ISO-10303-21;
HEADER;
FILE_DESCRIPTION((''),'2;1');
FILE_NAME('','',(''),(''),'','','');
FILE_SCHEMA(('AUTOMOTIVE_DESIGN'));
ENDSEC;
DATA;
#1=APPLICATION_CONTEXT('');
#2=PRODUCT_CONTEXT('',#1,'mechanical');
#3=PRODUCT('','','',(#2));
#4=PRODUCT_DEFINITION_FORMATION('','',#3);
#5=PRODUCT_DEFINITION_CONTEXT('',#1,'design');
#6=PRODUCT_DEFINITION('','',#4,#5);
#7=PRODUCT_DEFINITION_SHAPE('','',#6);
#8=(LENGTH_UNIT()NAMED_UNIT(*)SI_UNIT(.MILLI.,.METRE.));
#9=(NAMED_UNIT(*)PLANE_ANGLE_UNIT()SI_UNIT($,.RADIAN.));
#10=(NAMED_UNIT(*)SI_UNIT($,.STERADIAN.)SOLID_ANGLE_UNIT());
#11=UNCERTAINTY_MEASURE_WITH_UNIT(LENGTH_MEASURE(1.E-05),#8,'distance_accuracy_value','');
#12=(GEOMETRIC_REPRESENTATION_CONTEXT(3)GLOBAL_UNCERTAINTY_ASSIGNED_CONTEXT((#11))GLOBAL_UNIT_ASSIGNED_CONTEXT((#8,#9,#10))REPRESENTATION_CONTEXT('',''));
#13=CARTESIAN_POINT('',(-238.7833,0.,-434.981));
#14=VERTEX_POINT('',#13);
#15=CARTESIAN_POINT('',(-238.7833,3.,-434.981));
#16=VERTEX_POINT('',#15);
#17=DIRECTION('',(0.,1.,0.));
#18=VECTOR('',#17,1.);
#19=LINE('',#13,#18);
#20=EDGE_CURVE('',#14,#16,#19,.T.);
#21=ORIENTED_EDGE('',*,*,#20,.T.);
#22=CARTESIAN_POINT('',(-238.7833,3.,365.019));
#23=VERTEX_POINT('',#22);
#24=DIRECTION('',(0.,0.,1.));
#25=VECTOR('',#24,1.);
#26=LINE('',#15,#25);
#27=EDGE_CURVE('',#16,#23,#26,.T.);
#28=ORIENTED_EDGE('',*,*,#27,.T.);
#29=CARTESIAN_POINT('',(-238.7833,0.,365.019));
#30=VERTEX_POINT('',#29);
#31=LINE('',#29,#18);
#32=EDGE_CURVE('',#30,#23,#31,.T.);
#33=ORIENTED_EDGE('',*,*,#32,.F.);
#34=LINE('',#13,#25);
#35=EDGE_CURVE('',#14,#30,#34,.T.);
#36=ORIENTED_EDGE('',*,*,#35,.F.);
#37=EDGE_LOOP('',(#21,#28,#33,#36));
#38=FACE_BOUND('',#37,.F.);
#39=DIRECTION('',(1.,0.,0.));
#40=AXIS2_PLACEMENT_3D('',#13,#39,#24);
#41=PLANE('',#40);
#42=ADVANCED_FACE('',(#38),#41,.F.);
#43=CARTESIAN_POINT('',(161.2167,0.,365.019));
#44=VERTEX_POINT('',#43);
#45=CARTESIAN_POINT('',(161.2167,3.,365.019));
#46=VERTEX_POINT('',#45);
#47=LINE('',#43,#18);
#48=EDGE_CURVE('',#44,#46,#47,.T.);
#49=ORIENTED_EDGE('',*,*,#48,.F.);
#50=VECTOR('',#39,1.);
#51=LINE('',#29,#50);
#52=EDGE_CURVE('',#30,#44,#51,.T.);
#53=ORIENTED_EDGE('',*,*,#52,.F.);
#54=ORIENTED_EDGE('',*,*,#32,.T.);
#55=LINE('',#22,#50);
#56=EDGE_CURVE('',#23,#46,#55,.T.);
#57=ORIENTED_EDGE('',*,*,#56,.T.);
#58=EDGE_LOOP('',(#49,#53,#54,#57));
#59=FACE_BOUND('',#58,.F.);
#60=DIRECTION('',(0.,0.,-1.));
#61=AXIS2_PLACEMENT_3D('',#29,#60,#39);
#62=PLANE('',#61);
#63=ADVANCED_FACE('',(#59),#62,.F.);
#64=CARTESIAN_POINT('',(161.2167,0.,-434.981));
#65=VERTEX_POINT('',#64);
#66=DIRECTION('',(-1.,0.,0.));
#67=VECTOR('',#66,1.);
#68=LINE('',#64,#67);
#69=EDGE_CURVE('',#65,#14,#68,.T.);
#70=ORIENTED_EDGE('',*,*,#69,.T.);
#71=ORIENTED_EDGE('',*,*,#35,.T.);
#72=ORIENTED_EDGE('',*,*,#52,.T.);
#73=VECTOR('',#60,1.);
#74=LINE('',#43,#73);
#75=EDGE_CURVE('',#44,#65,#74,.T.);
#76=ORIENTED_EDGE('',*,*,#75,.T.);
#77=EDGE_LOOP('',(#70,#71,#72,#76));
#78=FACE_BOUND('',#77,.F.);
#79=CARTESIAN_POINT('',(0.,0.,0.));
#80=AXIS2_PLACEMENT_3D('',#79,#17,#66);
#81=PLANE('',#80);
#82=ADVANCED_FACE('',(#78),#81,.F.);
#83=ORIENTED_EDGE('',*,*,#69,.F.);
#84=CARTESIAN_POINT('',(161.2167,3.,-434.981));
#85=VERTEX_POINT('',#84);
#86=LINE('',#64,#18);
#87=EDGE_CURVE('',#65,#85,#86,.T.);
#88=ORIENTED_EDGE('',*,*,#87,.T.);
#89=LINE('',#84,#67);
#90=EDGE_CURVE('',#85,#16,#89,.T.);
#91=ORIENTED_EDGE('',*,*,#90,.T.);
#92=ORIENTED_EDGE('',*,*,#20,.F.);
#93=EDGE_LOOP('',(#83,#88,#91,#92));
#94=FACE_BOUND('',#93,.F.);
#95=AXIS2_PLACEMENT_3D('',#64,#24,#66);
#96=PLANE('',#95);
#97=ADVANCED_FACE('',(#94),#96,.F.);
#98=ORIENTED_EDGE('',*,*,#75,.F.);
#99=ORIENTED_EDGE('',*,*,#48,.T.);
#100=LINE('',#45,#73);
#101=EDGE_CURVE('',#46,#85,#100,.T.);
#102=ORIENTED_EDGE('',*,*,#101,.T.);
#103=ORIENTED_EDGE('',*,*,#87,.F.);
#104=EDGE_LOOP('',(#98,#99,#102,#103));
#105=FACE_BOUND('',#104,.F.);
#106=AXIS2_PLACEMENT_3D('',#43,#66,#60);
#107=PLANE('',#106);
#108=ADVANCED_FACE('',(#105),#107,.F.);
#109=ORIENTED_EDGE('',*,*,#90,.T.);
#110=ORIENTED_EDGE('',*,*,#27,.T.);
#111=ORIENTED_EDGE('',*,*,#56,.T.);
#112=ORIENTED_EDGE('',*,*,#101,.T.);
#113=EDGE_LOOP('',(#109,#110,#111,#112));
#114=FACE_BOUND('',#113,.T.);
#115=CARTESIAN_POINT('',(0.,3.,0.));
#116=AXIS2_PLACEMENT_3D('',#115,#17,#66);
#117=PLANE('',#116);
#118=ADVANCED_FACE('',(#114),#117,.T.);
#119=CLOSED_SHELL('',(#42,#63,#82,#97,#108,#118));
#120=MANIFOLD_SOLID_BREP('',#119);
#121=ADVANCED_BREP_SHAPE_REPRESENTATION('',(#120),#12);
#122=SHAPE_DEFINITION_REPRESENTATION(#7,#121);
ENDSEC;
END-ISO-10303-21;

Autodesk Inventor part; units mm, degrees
ref_plane "YZ Plane" through (0, 0, 0) normal (1, 0, 0) x (0, 1, 0)
ref_plane "XZ Plane" through (0, 0, 0) normal (0, 1, 0) x (-1, 0, 0)
ref_plane "XY Plane" through (0, 0, 0) normal (0, 0, 1) x (1, 0, 0)
sketch "Sketch2" plane through (0, 0, 0) normal (0, 1, 0) x (-1, 0, 0)
  line L0 (238.7833, 365.019) -> (-161.2167, 365.019)
  line L1 (-161.2167, 365.019) -> (-161.2167, -434.981)
  line L2 (-161.2167, -434.981) -> (238.7833, -434.981)
  line L3 (238.7833, -434.981) -> (238.7833, 365.019)
  line L4 (238.7833, 365.019) -> (208.7833, 365.019) construction
  line L5 (238.7833, 315.021) -> (238.7833, 365.019) construction
  dimension "d46" = 800
  dimension "d47" = 400
extrude "Extrusion8" add sketch "Sketch2" along normal blind 3
properties part number "top_bottom_layer_3mm" material "Acrylic"
